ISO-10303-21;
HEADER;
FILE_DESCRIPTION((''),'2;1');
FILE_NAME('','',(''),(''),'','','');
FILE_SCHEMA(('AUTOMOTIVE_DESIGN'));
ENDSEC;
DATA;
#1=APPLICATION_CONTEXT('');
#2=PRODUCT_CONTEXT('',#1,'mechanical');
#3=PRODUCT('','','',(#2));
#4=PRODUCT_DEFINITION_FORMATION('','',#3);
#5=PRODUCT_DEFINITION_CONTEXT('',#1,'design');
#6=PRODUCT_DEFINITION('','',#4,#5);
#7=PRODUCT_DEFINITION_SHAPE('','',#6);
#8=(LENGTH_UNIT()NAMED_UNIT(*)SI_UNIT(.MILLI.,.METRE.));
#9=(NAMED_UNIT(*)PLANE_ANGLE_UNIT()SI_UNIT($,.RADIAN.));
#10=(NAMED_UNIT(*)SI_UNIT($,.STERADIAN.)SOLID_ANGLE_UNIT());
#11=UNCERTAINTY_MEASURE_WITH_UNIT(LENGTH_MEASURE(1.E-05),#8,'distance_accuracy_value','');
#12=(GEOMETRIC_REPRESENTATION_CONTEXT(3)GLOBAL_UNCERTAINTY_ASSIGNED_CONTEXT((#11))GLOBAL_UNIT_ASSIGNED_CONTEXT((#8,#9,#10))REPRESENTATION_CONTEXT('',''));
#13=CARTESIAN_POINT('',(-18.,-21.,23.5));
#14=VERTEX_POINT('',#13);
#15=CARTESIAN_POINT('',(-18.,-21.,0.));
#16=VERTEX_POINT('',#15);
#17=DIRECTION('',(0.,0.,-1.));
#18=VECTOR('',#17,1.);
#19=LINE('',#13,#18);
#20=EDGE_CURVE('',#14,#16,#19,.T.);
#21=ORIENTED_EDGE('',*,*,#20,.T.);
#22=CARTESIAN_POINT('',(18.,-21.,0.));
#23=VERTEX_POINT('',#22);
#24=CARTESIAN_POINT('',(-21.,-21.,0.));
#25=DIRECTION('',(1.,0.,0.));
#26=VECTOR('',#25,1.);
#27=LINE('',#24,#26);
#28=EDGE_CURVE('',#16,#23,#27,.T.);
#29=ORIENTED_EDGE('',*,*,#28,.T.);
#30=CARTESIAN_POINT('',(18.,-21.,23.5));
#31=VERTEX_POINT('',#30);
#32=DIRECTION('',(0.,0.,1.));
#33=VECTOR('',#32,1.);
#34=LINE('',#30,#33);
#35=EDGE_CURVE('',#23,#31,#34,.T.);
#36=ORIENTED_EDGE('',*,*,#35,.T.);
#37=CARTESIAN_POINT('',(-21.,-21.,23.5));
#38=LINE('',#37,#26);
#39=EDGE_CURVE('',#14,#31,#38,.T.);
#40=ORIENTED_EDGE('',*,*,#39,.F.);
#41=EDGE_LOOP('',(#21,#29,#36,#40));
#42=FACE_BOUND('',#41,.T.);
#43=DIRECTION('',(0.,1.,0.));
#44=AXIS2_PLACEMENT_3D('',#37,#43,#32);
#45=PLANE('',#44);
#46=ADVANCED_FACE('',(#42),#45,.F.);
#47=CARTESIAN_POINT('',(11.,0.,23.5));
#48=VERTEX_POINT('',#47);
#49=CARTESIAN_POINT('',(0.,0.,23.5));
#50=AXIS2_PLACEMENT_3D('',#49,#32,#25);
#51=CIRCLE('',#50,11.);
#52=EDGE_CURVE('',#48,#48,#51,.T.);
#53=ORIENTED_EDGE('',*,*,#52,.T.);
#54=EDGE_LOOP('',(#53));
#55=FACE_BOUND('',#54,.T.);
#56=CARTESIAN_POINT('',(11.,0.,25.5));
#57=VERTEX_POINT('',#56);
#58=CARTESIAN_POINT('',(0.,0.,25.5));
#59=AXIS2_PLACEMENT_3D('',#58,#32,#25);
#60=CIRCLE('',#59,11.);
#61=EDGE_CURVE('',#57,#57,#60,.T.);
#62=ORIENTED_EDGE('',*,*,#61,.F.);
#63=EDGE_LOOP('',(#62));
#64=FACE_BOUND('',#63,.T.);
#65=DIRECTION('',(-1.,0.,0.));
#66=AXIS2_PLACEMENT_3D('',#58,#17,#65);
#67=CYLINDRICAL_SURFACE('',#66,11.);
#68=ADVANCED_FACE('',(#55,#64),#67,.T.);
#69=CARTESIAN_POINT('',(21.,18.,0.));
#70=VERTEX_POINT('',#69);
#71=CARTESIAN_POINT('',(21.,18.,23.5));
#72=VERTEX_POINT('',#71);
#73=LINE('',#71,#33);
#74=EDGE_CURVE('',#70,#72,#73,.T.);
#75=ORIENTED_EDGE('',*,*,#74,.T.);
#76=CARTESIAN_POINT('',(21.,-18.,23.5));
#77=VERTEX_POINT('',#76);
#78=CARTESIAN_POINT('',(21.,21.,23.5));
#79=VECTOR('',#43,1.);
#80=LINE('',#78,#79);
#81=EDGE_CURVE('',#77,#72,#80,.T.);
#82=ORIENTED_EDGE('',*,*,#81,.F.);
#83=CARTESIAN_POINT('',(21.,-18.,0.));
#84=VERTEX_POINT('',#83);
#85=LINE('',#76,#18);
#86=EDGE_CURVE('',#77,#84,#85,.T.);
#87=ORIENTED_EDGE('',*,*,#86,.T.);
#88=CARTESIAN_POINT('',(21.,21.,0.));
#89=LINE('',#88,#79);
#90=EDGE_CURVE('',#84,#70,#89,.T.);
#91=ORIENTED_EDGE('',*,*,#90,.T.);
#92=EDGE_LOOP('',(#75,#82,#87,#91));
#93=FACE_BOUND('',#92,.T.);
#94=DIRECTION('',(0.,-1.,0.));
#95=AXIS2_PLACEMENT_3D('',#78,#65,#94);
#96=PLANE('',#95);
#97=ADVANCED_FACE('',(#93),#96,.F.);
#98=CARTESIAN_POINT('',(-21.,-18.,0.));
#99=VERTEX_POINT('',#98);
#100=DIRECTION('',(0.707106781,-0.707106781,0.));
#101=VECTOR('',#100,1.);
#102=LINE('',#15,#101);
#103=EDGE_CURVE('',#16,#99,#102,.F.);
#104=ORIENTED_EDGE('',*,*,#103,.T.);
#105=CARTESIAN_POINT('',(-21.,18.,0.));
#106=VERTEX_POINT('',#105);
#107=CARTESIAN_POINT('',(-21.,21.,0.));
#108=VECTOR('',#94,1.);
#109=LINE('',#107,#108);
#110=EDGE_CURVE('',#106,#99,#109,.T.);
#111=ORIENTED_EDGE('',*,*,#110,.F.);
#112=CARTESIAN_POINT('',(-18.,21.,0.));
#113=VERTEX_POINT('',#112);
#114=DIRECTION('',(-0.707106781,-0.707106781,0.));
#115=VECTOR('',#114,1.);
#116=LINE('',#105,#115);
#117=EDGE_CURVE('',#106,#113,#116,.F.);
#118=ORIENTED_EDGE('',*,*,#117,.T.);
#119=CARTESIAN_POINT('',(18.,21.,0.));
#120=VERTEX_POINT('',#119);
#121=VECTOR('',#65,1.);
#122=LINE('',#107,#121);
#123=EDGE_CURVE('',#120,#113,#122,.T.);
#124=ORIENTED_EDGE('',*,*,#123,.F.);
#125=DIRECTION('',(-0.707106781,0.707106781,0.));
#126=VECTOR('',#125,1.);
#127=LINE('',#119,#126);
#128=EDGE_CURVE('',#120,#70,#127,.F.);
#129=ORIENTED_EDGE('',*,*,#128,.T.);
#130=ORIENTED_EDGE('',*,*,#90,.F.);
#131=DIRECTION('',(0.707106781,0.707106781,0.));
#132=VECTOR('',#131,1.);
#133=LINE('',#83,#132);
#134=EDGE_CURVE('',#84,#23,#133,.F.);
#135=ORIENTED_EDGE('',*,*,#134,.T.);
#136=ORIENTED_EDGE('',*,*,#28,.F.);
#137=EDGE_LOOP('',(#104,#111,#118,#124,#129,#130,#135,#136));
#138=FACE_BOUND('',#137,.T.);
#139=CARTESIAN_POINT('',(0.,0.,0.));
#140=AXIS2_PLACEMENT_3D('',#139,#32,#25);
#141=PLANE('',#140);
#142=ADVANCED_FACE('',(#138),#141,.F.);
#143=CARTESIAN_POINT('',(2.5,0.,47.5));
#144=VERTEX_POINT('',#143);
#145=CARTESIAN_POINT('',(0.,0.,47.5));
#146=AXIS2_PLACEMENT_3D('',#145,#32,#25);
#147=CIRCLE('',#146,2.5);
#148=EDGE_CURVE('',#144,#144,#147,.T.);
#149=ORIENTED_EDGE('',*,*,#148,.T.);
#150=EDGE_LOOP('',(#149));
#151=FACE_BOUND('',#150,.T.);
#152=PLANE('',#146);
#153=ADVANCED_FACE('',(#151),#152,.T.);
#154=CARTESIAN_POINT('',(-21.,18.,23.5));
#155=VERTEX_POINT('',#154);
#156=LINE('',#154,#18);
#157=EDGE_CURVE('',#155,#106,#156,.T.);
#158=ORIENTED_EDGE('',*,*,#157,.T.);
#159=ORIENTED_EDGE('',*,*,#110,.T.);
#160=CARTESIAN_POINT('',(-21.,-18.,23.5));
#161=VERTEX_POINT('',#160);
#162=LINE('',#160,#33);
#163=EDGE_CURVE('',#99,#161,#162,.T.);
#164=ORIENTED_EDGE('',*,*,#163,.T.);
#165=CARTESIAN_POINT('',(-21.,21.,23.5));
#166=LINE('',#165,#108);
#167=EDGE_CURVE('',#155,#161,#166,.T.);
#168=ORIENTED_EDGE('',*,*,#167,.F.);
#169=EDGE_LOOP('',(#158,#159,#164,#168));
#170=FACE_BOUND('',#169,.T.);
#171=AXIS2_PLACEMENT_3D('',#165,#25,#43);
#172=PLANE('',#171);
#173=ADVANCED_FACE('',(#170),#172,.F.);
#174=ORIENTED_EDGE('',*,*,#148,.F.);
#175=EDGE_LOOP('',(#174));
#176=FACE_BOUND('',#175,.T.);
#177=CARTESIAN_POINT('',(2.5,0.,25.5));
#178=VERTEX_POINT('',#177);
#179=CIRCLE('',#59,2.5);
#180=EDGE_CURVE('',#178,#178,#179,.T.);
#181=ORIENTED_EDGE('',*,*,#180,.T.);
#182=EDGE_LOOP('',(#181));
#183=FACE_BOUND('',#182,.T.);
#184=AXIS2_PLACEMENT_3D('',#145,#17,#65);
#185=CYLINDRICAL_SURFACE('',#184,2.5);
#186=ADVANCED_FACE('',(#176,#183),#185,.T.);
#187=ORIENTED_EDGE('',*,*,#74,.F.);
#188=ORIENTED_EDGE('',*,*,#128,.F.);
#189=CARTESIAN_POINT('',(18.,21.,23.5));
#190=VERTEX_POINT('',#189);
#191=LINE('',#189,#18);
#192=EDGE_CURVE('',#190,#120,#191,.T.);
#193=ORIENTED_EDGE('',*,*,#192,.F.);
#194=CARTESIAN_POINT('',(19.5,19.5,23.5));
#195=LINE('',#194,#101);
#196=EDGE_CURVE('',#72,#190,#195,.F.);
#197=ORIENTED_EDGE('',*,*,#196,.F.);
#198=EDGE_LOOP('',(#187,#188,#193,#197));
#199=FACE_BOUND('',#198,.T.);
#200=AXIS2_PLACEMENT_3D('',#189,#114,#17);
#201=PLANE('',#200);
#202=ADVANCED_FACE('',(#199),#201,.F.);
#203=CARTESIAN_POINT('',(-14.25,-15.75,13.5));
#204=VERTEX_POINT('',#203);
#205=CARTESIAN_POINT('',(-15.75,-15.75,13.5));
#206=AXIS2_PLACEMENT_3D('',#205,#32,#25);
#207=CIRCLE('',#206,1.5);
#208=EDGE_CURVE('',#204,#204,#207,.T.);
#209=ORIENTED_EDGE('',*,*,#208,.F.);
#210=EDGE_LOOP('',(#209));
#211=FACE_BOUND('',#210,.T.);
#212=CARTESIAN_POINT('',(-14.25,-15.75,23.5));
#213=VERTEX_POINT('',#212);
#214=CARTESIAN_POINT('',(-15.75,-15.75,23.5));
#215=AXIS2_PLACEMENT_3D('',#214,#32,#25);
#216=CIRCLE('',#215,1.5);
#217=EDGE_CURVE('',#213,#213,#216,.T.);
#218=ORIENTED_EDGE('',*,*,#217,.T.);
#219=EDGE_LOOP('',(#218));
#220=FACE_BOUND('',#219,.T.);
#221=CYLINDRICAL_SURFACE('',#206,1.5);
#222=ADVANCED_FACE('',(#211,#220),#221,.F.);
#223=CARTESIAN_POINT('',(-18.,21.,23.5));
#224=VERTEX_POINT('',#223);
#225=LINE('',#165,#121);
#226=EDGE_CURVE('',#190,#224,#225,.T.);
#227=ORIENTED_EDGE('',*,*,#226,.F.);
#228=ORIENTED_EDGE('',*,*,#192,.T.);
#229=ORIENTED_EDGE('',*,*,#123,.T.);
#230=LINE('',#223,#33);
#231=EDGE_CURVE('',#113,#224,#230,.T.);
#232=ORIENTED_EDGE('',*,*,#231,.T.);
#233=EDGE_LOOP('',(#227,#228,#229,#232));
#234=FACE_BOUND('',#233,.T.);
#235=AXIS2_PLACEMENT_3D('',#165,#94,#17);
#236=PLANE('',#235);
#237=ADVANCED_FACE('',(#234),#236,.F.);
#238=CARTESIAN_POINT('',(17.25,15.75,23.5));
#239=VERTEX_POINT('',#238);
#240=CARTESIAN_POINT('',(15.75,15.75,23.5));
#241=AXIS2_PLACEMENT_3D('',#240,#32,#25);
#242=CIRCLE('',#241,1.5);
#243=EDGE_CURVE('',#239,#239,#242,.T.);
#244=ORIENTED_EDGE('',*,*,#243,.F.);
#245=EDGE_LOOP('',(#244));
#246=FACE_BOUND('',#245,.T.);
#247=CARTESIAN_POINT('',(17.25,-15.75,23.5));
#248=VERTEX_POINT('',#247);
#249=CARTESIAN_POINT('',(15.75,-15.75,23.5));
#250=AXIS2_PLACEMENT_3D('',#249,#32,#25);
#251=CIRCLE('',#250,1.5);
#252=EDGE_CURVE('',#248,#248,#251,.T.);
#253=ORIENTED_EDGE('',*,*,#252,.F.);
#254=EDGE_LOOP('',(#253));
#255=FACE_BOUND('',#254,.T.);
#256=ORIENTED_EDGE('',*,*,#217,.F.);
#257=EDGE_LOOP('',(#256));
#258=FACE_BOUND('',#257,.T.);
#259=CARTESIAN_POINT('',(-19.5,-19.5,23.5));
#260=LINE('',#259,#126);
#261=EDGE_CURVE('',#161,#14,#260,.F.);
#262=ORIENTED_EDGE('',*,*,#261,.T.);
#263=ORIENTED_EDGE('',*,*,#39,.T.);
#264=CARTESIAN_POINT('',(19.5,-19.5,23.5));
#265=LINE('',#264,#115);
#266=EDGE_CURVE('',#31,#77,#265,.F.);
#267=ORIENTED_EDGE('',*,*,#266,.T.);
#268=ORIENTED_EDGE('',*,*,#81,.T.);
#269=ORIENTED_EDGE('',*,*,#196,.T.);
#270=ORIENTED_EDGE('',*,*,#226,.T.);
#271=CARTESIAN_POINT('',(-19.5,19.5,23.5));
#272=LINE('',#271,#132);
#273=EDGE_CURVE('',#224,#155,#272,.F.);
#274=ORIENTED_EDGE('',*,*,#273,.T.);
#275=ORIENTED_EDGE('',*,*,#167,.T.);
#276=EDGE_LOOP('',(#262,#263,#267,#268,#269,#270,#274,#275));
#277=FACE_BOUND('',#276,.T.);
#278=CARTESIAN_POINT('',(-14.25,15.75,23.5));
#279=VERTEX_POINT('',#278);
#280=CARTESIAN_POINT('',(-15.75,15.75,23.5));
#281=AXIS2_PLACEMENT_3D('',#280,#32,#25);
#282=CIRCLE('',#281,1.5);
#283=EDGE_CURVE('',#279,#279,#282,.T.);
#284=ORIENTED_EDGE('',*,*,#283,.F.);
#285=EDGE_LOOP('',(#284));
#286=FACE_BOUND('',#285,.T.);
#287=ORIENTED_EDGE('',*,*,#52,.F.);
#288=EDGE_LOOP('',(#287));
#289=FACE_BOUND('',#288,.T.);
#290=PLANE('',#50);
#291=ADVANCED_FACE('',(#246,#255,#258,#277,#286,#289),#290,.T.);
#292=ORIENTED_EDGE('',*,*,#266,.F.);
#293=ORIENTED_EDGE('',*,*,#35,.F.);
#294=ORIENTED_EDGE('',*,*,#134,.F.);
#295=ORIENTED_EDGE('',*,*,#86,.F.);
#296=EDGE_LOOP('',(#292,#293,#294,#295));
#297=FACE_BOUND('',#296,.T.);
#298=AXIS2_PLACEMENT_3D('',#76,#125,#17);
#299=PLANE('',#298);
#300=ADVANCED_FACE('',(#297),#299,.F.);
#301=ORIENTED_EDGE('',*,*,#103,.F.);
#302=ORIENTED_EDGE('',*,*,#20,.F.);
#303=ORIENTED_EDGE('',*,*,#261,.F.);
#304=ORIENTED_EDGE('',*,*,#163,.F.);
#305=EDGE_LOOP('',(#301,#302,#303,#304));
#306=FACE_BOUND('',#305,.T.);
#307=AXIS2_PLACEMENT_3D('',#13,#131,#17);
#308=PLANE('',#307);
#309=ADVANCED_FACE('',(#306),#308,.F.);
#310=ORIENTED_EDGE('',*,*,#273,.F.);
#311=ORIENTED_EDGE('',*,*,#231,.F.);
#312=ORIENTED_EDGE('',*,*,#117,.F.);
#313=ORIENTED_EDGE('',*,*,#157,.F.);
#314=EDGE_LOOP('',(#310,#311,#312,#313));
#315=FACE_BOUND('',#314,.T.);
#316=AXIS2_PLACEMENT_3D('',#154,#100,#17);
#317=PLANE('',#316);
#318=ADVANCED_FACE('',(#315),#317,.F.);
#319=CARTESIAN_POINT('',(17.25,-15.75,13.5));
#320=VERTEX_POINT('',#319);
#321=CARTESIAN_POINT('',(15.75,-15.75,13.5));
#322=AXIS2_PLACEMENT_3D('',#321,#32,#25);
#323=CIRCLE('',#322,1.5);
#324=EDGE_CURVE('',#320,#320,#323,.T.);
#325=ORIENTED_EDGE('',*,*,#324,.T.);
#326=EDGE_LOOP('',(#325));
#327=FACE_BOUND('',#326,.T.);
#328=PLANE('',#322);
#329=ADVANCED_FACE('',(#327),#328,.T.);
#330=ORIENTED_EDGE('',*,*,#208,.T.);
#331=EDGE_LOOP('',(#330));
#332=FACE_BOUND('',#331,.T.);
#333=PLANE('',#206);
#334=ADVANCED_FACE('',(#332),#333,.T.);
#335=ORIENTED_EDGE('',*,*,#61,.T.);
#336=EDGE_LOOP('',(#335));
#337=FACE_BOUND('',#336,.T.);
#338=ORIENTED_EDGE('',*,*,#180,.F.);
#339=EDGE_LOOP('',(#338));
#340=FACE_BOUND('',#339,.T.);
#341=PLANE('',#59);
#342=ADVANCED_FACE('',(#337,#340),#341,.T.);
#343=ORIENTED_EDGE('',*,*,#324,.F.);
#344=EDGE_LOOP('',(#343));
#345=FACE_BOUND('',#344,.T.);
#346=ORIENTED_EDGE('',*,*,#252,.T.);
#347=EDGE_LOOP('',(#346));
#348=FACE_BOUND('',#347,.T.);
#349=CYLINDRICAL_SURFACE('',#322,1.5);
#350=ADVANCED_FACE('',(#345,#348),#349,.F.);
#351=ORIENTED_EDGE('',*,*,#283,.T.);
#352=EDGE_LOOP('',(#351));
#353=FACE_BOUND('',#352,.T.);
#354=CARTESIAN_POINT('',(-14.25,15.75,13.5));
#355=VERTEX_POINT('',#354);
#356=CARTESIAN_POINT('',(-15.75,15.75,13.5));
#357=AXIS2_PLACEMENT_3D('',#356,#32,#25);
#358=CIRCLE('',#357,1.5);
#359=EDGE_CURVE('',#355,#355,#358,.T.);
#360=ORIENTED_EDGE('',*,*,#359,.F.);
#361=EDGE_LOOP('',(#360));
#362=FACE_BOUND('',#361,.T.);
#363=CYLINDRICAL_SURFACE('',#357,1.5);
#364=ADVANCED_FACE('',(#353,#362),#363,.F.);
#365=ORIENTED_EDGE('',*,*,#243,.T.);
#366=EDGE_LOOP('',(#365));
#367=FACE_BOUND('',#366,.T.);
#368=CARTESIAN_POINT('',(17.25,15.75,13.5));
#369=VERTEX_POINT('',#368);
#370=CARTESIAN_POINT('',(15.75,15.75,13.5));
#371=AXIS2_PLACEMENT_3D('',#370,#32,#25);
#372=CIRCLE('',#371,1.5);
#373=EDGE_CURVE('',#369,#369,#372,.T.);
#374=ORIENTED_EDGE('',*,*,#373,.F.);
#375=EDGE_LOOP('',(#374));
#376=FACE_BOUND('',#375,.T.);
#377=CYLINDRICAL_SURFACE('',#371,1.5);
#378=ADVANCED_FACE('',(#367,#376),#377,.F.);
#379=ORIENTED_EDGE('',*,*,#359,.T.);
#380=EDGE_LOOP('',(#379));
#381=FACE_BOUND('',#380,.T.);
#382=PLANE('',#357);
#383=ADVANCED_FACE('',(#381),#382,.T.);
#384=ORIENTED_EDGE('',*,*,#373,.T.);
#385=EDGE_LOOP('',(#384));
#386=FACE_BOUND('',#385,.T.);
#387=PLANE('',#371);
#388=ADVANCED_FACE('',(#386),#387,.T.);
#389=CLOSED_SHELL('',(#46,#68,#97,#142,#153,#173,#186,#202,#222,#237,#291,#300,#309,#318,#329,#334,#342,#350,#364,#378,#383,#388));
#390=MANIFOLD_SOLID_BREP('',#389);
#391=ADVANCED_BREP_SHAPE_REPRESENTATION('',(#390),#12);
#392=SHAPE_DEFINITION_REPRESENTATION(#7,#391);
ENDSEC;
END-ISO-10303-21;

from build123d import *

# Parameters (mm, degrees)
SKETCH1_W           = 42
SKETCH1_H           = 42
BOSS_EXTRUDE1_DEPTH = 23.5
SKETCH2_R           = 11
BOSS_EXTRUDE2_DEPTH = 2
SKETCH3_R           = 2.5
BOSS_EXTRUDE3_DEPTH = 22
CHAMFER1_SIZE       = 3
SKETCH4_R           = 1.5
CUT_EXTRUDE1_DEPTH  = 10


with BuildPart() as part:
    # Sketch1 → Boss-Extrude1 (new body)
    with BuildSketch(Plane.XY):
        Rectangle(SKETCH1_W, SKETCH1_H)
    extrude(amount=BOSS_EXTRUDE1_DEPTH)

    # Sketch2 → Boss-Extrude2 (add)
    with BuildSketch(Plane.XY.offset(23.5)):
        Circle(SKETCH2_R)
    extrude(amount=BOSS_EXTRUDE2_DEPTH)

    # Sketch3 → Boss-Extrude3 (add)
    with BuildSketch(Plane.XY.offset(25.5)):
        Circle(SKETCH3_R)
    extrude(amount=BOSS_EXTRUDE3_DEPTH)

    # Chamfer1
    chamfer1_edges = [part.edges().sort_by_distance(p)[0] for p in [
        (21, -21, 11.75),
        (-21, -21, 11.75),
        (-21, 21, 11.75),
        (21, 21, 11.75),
    ]]
    chamfer(chamfer1_edges, length=CHAMFER1_SIZE)

    # Sketch4 → Cut-Extrude1 (cut)
    with BuildSketch(Plane.XY.offset(23.5)):
        with Locations((-15.75, 15.75)):
            Circle(SKETCH4_R)
        with Locations((15.75, 15.75)):
            Circle(SKETCH4_R)
        with Locations((-15.75, -15.75)):
            Circle(SKETCH4_R)
        with Locations((15.75, -15.75)):
            Circle(SKETCH4_R)
    extrude(amount=-CUT_EXTRUDE1_DEPTH, mode=Mode.SUBTRACT)


solid = part.part
